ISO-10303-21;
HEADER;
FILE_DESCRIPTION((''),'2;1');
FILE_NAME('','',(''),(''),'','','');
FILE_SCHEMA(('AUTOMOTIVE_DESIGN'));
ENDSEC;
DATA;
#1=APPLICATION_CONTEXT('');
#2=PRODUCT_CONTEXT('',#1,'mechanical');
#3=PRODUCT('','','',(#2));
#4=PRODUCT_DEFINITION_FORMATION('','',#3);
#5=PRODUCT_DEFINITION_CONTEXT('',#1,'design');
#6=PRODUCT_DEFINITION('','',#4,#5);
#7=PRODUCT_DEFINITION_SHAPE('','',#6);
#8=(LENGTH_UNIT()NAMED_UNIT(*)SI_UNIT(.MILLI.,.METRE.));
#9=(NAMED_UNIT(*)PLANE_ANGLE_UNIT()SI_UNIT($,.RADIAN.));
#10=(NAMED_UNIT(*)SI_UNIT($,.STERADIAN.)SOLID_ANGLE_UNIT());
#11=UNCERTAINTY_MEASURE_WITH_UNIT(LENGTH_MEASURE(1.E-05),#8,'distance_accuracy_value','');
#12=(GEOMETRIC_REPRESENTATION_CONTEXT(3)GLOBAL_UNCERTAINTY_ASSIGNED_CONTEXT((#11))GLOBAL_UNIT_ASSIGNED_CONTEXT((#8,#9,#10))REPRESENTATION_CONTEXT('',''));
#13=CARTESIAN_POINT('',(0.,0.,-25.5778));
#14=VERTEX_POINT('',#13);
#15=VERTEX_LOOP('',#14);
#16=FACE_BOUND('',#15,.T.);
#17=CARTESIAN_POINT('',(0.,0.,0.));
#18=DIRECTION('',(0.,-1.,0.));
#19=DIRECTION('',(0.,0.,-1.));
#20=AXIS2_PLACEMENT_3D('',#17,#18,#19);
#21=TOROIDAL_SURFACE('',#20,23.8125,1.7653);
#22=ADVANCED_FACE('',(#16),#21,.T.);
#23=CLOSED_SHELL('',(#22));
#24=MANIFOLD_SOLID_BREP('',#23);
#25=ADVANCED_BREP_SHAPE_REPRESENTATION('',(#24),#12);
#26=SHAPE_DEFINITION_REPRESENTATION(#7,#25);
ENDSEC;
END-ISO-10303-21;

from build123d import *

# Parameters (mm, degrees)
SKETCH1_R = 1.7653


with BuildPart() as part:
    # Sketch1 → Revolve1 (revolve)
    with BuildSketch(Plane.XY, mode=Mode.PRIVATE) as revolve1_sk:
        with Locations((23.8125, 0)):
            Circle(SKETCH1_R)
    revolve(revolve1_sk.sketch.rotate(Axis((0, 0, 0), (0, 1, 0)), 90), axis=Axis((0, 0, 0), (0, 1, 0)))


solid = part.part
